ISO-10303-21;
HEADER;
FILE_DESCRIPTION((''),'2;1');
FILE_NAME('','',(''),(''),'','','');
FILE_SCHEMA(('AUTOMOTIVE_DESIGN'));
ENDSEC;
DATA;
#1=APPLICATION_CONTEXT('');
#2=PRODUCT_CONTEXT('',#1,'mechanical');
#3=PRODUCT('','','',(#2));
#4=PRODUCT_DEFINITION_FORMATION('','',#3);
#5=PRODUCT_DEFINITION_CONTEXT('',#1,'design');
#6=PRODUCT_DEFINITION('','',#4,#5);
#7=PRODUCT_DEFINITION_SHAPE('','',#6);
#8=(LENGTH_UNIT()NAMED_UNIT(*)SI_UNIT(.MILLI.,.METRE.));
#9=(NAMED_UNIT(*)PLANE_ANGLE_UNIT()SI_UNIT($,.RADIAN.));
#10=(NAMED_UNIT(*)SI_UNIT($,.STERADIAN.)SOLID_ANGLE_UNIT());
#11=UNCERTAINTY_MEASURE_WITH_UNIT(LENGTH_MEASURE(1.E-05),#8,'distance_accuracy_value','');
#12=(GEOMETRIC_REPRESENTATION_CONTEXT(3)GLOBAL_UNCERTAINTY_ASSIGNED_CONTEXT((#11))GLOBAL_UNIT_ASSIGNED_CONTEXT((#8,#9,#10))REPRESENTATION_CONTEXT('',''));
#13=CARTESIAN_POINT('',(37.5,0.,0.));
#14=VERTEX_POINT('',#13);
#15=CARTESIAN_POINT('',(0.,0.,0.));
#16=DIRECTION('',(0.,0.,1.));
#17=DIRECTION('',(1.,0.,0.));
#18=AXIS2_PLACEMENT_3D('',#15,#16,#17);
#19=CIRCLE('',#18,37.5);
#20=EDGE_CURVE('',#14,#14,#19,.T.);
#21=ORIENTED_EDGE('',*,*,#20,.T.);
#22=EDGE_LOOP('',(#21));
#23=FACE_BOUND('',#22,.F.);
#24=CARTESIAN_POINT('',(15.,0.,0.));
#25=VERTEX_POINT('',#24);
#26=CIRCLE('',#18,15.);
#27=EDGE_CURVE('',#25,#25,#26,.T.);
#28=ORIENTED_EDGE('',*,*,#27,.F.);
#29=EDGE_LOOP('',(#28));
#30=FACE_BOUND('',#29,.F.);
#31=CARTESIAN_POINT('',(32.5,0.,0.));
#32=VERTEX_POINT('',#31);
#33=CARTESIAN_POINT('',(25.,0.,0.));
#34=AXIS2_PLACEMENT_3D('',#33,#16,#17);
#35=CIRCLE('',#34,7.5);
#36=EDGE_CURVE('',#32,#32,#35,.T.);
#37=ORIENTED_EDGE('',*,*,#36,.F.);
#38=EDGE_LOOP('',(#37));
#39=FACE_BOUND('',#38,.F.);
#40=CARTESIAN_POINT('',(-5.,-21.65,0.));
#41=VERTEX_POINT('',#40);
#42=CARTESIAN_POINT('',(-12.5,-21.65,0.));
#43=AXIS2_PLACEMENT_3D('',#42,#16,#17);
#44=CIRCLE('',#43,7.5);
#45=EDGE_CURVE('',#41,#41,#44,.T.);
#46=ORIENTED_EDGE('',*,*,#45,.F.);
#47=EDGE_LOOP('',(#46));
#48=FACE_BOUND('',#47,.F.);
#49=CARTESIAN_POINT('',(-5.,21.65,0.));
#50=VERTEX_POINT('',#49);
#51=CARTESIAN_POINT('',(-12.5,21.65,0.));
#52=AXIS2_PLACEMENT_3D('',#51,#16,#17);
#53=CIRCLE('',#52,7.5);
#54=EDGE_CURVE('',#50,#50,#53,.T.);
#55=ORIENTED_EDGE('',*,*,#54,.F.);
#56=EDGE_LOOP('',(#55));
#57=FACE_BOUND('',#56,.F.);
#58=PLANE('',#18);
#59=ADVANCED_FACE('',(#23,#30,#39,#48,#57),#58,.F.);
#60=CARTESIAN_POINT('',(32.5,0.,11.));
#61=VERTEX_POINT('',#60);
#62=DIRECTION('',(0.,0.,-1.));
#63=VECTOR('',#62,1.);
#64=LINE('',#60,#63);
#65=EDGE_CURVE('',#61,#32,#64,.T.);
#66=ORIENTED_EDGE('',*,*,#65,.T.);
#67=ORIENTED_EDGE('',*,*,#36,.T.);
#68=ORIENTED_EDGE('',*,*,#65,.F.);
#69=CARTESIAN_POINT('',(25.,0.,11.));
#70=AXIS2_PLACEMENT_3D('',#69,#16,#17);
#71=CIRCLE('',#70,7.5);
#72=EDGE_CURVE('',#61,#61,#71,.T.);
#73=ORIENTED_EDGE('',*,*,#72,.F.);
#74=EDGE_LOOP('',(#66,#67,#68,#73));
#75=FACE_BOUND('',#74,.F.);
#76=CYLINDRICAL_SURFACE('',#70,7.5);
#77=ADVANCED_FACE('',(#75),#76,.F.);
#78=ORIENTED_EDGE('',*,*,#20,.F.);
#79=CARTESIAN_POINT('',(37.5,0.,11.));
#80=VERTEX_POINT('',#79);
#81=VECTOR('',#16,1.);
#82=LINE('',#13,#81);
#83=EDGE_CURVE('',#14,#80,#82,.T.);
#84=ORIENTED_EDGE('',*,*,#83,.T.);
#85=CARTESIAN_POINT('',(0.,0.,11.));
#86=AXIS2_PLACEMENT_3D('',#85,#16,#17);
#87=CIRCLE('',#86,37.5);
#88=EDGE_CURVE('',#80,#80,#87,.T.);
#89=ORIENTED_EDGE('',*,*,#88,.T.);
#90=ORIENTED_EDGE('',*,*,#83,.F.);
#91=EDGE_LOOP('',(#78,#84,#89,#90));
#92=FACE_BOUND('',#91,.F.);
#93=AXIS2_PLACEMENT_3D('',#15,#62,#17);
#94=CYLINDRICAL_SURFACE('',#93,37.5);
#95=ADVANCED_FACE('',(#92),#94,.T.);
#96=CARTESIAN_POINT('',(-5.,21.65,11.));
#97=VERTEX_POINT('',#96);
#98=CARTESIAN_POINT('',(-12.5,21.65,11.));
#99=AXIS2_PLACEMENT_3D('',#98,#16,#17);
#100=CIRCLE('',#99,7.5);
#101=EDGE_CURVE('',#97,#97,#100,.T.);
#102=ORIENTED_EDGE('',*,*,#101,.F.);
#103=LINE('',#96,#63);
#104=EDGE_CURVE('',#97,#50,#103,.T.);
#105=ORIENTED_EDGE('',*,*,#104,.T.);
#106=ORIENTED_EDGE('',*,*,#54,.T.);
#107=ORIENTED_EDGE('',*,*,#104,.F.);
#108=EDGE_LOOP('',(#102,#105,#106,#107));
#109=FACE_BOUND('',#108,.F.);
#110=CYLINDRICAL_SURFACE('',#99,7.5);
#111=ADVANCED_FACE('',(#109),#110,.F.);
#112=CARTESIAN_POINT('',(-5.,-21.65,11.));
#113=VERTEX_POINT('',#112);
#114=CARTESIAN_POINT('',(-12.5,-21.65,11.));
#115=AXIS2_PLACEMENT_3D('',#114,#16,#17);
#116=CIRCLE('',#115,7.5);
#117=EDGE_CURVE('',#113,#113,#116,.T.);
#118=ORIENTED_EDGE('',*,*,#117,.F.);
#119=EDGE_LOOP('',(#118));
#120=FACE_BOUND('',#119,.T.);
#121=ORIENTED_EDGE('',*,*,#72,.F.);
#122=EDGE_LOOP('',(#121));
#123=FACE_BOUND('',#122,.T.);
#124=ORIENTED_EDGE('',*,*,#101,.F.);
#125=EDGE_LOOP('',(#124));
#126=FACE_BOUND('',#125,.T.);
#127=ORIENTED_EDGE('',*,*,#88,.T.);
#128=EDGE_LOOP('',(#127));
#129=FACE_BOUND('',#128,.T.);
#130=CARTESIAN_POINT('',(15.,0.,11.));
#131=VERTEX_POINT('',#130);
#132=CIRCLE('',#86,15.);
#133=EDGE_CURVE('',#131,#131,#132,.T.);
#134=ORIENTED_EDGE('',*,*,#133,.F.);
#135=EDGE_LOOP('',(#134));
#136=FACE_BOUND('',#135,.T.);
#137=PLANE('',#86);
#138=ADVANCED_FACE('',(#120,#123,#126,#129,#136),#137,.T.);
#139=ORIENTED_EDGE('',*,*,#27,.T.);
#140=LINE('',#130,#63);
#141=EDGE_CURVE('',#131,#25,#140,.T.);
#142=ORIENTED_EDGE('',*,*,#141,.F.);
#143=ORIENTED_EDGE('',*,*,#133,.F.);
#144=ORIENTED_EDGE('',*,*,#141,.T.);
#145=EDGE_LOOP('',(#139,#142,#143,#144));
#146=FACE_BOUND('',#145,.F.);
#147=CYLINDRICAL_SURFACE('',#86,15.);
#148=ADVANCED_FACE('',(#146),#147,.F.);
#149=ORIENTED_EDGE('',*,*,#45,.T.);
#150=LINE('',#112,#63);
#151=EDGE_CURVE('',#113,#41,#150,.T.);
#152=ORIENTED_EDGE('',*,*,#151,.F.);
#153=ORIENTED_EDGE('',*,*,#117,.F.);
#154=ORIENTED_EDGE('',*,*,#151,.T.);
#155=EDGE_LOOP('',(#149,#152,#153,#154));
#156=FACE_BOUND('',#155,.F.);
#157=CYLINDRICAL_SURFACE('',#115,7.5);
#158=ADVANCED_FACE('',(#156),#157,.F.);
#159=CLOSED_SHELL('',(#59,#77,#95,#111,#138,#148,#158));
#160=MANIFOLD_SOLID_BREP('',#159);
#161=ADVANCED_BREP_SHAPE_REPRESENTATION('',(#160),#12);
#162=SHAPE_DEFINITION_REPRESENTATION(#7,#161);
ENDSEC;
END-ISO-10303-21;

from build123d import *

# Parameters (mm, degrees)
SKETCH_1_R     = 37.5
PAD_1_DEPTH    = 11
SKETCH_2_R     = 15
POCKET_2_DEPTH = 11.001
SKETCH_3_R     = 4.5
POCKET_3_DEPTH = 11.001
SKETCH_4_R     = 4.5
POCKET_4_DEPTH = 11.001
SKETCH_5_R     = 4.5
POCKET_5_DEPTH = 11.001
SKETCH_6_R     = 7.5
POCKET_6_DEPTH = 11.001
SKETCH_7_R     = 7.5
POCKET_7_DEPTH = 11.001
SKETCH_8_R     = 7.5
POCKET_8_DEPTH = 11.001


with BuildPart() as part:
    # Sketch_1 → Pad_1 (new body)
    with BuildSketch(Plane.XY):
        Circle(SKETCH_1_R)
    extrude(amount=PAD_1_DEPTH)

    # Sketch_2 (on Face3 of Pad_1) → Pocket_2 (cut, through all)
    with BuildSketch(Plane.XY.offset(11)):
        Circle(SKETCH_2_R)
    extrude(amount=-POCKET_2_DEPTH, mode=Mode.SUBTRACT)

    # Sketch_3 (on Face3 of Pocket_2) → Pocket_3 (cut, through all)
    with BuildSketch(Plane.XY.offset(11)):
        with Locations((25, 0)):
            Circle(SKETCH_3_R)
    extrude(amount=-POCKET_3_DEPTH, mode=Mode.SUBTRACT)

    # Sketch_4 (on Face3 of Pocket_3) → Pocket_4 (cut, through all)
    with BuildSketch(Plane.XY.offset(11)):
        with Locations((-12.5, 21.65)):
            Circle(SKETCH_4_R)
    extrude(amount=-POCKET_4_DEPTH, mode=Mode.SUBTRACT)

    # Sketch_5 (on Face3 of Pocket_4) → Pocket_5 (cut, through all)
    with BuildSketch(Plane.XY.offset(11)):
        with Locations((-12.5, -21.65)):
            Circle(SKETCH_5_R)
    extrude(amount=-POCKET_5_DEPTH, mode=Mode.SUBTRACT)

    # Sketch_6 (on Face3 of Pocket_5) → Pocket_6 (cut, through all)
    with BuildSketch(Plane.XY.offset(11)):
        with Locations((25, 0)):
            Circle(SKETCH_6_R)
    extrude(amount=-POCKET_6_DEPTH, mode=Mode.SUBTRACT)

    # Sketch_7 (on Face3 of Pocket_6) → Pocket_7 (cut, through all)
    with BuildSketch(Plane.XY.offset(11)):
        with Locations((-12.5, 21.65)):
            Circle(SKETCH_7_R)
    extrude(amount=-POCKET_7_DEPTH, mode=Mode.SUBTRACT)

    # Sketch_8 (on Face3 of Pocket_7) → Pocket_8 (cut, through all)
    with BuildSketch(Plane.XY.offset(11)):
        with Locations((-12.5, -21.65)):
            Circle(SKETCH_8_R)
    extrude(amount=-POCKET_8_DEPTH, mode=Mode.SUBTRACT)


solid = part.part
